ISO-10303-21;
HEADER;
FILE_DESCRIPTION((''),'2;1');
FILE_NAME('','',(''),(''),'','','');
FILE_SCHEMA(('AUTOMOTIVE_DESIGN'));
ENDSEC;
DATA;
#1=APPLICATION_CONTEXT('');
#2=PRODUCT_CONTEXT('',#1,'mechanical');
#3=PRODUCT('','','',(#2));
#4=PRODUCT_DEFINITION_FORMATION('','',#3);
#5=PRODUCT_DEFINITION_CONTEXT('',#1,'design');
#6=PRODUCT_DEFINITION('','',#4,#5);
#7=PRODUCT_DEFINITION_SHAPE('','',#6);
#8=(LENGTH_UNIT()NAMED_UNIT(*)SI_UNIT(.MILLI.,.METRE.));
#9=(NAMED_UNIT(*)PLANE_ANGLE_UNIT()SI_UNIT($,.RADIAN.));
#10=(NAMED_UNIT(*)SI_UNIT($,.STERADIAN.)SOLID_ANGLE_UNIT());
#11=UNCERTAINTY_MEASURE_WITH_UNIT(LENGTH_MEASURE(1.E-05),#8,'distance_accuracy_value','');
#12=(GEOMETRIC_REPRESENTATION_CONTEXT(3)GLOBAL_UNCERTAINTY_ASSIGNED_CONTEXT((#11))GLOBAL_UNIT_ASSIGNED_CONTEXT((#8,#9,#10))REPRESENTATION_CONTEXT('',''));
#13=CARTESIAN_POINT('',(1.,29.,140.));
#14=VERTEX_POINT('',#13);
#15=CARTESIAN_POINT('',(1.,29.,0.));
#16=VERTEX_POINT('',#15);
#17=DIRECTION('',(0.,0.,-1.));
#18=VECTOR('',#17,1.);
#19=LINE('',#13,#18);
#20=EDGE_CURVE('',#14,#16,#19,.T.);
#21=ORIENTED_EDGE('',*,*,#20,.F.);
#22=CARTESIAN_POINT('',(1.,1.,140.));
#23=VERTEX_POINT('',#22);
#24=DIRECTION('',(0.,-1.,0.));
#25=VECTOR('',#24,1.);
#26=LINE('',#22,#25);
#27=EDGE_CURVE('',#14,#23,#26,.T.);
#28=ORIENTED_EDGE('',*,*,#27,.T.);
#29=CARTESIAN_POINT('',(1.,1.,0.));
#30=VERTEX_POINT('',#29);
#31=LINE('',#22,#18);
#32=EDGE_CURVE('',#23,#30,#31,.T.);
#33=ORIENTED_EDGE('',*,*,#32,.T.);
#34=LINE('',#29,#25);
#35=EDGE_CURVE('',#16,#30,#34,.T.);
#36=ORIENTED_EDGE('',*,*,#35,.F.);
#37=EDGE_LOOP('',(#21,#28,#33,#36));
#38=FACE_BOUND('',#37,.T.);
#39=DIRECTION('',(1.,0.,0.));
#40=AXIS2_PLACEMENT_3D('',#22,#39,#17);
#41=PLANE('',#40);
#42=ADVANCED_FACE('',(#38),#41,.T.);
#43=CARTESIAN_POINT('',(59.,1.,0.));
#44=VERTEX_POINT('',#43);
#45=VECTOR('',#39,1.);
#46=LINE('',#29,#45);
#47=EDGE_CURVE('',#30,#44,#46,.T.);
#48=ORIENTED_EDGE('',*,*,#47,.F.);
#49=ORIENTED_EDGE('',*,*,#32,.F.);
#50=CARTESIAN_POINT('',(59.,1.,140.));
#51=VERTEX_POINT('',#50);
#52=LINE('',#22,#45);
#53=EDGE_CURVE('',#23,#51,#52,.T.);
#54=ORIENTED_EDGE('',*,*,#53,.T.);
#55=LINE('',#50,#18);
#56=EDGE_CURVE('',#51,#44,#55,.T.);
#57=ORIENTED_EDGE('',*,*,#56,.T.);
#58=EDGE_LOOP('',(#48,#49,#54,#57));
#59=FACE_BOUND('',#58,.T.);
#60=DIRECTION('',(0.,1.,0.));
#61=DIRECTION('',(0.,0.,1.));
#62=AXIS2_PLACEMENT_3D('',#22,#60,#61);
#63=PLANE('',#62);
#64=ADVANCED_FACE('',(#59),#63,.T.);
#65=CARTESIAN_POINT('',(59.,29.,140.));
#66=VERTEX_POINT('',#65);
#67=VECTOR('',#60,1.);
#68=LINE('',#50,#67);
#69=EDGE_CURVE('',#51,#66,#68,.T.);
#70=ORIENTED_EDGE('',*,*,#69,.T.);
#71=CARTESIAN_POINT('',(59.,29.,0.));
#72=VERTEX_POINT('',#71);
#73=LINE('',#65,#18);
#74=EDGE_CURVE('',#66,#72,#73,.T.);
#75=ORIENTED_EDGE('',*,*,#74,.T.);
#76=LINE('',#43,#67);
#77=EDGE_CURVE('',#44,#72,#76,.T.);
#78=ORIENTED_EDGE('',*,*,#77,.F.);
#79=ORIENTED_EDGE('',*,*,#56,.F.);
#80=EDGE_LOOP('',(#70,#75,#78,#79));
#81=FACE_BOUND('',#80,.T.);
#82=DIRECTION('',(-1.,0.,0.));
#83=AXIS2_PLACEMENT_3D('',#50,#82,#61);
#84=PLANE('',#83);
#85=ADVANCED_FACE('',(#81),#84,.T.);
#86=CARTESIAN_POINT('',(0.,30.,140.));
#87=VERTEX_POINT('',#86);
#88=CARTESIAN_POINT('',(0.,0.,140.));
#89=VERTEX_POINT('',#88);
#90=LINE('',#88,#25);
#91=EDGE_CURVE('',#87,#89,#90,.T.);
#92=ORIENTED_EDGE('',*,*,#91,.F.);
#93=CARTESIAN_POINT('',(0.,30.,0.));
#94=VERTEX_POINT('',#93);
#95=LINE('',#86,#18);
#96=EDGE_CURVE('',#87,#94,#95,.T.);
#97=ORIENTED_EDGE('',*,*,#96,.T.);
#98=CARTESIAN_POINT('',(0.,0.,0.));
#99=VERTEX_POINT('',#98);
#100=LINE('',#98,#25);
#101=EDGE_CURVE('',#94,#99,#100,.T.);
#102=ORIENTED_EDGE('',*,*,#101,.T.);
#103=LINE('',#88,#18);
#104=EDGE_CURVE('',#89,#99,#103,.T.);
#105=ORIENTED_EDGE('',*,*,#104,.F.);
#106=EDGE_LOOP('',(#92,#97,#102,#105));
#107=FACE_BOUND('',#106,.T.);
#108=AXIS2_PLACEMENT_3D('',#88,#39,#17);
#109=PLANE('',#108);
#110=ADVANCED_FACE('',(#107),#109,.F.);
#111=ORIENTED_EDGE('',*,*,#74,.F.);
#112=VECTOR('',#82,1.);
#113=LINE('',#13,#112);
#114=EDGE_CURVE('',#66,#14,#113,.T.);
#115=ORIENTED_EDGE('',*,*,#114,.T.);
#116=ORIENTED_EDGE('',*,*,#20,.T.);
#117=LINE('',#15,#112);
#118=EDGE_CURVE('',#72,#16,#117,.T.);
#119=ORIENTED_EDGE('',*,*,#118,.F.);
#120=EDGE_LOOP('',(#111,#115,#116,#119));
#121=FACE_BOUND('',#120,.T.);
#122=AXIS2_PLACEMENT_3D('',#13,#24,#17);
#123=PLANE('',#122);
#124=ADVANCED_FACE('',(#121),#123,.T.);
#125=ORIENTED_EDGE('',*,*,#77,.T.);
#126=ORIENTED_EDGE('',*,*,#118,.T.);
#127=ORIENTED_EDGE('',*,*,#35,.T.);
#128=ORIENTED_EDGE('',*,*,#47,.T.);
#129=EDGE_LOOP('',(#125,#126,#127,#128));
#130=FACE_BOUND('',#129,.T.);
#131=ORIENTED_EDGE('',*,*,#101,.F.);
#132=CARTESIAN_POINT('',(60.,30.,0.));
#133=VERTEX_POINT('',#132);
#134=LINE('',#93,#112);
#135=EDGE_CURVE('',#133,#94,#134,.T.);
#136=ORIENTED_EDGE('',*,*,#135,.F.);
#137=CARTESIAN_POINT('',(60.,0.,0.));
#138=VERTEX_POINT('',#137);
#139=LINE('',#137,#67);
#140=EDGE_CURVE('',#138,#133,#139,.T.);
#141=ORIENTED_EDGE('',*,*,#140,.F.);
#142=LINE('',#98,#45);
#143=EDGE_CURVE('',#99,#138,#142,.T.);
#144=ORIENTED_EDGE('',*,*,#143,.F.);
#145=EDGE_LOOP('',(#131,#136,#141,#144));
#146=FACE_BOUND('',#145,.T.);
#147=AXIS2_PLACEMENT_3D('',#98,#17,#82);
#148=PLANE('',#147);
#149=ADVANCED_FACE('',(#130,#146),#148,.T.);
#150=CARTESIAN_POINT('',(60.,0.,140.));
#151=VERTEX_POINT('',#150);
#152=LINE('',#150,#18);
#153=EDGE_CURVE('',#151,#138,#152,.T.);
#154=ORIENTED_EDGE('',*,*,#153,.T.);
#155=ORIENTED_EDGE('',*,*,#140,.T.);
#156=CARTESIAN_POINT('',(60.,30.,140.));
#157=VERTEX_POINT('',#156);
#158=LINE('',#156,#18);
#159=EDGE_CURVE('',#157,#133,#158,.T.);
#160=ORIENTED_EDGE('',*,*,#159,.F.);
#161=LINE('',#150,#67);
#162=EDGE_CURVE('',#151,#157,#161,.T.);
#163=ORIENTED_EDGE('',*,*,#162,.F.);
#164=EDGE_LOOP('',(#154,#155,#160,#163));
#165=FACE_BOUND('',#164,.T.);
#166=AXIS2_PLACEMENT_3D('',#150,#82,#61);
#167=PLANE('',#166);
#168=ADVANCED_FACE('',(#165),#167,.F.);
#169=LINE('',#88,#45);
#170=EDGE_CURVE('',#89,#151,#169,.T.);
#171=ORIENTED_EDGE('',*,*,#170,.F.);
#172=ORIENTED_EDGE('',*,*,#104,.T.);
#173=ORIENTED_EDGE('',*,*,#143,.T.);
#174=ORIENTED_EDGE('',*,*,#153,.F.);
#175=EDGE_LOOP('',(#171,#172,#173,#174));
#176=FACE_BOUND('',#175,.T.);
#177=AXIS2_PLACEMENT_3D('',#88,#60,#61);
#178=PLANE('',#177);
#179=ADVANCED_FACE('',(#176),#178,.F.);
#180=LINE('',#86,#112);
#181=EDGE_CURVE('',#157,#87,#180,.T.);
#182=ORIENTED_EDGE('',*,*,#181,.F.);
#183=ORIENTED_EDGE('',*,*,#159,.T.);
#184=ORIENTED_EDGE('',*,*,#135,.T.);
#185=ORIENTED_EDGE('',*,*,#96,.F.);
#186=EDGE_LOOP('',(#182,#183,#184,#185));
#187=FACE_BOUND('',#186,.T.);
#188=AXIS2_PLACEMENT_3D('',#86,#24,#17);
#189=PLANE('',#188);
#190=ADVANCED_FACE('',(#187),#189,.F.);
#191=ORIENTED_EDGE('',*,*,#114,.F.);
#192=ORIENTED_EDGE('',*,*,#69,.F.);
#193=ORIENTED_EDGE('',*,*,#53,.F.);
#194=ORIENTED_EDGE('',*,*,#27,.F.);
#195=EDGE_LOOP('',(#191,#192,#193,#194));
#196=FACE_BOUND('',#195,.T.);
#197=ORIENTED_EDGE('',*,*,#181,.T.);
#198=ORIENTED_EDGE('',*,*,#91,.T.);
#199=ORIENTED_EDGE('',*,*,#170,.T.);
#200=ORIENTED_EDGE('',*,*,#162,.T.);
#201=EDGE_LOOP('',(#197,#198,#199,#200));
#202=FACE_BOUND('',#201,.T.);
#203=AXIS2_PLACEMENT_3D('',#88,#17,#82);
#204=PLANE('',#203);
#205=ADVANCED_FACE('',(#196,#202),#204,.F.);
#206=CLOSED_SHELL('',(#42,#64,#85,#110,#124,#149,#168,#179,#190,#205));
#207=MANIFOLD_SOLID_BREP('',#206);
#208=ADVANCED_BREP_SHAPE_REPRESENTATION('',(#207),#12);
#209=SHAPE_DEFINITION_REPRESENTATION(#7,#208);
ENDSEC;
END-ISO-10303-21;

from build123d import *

# Parameters (mm, degrees)
SKETCH_1_W      = 60
SKETCH_1_H      = 30
SKETCH_1_W_2    = 58
SKETCH_1_H_2    = 28
EXTRUDE_1_DEPTH = 140


with BuildPart() as part:
    # 草图1 → 凸台-拉伸1 (new body)
    with BuildSketch(Plane.XY):
        with Locations((30, 15)):
            Rectangle(SKETCH_1_W, SKETCH_1_H)
        with Locations((30, 15)):
            Rectangle(SKETCH_1_W_2, SKETCH_1_H_2, mode=Mode.SUBTRACT)
    extrude(amount=EXTRUDE_1_DEPTH)


solid = part.part
